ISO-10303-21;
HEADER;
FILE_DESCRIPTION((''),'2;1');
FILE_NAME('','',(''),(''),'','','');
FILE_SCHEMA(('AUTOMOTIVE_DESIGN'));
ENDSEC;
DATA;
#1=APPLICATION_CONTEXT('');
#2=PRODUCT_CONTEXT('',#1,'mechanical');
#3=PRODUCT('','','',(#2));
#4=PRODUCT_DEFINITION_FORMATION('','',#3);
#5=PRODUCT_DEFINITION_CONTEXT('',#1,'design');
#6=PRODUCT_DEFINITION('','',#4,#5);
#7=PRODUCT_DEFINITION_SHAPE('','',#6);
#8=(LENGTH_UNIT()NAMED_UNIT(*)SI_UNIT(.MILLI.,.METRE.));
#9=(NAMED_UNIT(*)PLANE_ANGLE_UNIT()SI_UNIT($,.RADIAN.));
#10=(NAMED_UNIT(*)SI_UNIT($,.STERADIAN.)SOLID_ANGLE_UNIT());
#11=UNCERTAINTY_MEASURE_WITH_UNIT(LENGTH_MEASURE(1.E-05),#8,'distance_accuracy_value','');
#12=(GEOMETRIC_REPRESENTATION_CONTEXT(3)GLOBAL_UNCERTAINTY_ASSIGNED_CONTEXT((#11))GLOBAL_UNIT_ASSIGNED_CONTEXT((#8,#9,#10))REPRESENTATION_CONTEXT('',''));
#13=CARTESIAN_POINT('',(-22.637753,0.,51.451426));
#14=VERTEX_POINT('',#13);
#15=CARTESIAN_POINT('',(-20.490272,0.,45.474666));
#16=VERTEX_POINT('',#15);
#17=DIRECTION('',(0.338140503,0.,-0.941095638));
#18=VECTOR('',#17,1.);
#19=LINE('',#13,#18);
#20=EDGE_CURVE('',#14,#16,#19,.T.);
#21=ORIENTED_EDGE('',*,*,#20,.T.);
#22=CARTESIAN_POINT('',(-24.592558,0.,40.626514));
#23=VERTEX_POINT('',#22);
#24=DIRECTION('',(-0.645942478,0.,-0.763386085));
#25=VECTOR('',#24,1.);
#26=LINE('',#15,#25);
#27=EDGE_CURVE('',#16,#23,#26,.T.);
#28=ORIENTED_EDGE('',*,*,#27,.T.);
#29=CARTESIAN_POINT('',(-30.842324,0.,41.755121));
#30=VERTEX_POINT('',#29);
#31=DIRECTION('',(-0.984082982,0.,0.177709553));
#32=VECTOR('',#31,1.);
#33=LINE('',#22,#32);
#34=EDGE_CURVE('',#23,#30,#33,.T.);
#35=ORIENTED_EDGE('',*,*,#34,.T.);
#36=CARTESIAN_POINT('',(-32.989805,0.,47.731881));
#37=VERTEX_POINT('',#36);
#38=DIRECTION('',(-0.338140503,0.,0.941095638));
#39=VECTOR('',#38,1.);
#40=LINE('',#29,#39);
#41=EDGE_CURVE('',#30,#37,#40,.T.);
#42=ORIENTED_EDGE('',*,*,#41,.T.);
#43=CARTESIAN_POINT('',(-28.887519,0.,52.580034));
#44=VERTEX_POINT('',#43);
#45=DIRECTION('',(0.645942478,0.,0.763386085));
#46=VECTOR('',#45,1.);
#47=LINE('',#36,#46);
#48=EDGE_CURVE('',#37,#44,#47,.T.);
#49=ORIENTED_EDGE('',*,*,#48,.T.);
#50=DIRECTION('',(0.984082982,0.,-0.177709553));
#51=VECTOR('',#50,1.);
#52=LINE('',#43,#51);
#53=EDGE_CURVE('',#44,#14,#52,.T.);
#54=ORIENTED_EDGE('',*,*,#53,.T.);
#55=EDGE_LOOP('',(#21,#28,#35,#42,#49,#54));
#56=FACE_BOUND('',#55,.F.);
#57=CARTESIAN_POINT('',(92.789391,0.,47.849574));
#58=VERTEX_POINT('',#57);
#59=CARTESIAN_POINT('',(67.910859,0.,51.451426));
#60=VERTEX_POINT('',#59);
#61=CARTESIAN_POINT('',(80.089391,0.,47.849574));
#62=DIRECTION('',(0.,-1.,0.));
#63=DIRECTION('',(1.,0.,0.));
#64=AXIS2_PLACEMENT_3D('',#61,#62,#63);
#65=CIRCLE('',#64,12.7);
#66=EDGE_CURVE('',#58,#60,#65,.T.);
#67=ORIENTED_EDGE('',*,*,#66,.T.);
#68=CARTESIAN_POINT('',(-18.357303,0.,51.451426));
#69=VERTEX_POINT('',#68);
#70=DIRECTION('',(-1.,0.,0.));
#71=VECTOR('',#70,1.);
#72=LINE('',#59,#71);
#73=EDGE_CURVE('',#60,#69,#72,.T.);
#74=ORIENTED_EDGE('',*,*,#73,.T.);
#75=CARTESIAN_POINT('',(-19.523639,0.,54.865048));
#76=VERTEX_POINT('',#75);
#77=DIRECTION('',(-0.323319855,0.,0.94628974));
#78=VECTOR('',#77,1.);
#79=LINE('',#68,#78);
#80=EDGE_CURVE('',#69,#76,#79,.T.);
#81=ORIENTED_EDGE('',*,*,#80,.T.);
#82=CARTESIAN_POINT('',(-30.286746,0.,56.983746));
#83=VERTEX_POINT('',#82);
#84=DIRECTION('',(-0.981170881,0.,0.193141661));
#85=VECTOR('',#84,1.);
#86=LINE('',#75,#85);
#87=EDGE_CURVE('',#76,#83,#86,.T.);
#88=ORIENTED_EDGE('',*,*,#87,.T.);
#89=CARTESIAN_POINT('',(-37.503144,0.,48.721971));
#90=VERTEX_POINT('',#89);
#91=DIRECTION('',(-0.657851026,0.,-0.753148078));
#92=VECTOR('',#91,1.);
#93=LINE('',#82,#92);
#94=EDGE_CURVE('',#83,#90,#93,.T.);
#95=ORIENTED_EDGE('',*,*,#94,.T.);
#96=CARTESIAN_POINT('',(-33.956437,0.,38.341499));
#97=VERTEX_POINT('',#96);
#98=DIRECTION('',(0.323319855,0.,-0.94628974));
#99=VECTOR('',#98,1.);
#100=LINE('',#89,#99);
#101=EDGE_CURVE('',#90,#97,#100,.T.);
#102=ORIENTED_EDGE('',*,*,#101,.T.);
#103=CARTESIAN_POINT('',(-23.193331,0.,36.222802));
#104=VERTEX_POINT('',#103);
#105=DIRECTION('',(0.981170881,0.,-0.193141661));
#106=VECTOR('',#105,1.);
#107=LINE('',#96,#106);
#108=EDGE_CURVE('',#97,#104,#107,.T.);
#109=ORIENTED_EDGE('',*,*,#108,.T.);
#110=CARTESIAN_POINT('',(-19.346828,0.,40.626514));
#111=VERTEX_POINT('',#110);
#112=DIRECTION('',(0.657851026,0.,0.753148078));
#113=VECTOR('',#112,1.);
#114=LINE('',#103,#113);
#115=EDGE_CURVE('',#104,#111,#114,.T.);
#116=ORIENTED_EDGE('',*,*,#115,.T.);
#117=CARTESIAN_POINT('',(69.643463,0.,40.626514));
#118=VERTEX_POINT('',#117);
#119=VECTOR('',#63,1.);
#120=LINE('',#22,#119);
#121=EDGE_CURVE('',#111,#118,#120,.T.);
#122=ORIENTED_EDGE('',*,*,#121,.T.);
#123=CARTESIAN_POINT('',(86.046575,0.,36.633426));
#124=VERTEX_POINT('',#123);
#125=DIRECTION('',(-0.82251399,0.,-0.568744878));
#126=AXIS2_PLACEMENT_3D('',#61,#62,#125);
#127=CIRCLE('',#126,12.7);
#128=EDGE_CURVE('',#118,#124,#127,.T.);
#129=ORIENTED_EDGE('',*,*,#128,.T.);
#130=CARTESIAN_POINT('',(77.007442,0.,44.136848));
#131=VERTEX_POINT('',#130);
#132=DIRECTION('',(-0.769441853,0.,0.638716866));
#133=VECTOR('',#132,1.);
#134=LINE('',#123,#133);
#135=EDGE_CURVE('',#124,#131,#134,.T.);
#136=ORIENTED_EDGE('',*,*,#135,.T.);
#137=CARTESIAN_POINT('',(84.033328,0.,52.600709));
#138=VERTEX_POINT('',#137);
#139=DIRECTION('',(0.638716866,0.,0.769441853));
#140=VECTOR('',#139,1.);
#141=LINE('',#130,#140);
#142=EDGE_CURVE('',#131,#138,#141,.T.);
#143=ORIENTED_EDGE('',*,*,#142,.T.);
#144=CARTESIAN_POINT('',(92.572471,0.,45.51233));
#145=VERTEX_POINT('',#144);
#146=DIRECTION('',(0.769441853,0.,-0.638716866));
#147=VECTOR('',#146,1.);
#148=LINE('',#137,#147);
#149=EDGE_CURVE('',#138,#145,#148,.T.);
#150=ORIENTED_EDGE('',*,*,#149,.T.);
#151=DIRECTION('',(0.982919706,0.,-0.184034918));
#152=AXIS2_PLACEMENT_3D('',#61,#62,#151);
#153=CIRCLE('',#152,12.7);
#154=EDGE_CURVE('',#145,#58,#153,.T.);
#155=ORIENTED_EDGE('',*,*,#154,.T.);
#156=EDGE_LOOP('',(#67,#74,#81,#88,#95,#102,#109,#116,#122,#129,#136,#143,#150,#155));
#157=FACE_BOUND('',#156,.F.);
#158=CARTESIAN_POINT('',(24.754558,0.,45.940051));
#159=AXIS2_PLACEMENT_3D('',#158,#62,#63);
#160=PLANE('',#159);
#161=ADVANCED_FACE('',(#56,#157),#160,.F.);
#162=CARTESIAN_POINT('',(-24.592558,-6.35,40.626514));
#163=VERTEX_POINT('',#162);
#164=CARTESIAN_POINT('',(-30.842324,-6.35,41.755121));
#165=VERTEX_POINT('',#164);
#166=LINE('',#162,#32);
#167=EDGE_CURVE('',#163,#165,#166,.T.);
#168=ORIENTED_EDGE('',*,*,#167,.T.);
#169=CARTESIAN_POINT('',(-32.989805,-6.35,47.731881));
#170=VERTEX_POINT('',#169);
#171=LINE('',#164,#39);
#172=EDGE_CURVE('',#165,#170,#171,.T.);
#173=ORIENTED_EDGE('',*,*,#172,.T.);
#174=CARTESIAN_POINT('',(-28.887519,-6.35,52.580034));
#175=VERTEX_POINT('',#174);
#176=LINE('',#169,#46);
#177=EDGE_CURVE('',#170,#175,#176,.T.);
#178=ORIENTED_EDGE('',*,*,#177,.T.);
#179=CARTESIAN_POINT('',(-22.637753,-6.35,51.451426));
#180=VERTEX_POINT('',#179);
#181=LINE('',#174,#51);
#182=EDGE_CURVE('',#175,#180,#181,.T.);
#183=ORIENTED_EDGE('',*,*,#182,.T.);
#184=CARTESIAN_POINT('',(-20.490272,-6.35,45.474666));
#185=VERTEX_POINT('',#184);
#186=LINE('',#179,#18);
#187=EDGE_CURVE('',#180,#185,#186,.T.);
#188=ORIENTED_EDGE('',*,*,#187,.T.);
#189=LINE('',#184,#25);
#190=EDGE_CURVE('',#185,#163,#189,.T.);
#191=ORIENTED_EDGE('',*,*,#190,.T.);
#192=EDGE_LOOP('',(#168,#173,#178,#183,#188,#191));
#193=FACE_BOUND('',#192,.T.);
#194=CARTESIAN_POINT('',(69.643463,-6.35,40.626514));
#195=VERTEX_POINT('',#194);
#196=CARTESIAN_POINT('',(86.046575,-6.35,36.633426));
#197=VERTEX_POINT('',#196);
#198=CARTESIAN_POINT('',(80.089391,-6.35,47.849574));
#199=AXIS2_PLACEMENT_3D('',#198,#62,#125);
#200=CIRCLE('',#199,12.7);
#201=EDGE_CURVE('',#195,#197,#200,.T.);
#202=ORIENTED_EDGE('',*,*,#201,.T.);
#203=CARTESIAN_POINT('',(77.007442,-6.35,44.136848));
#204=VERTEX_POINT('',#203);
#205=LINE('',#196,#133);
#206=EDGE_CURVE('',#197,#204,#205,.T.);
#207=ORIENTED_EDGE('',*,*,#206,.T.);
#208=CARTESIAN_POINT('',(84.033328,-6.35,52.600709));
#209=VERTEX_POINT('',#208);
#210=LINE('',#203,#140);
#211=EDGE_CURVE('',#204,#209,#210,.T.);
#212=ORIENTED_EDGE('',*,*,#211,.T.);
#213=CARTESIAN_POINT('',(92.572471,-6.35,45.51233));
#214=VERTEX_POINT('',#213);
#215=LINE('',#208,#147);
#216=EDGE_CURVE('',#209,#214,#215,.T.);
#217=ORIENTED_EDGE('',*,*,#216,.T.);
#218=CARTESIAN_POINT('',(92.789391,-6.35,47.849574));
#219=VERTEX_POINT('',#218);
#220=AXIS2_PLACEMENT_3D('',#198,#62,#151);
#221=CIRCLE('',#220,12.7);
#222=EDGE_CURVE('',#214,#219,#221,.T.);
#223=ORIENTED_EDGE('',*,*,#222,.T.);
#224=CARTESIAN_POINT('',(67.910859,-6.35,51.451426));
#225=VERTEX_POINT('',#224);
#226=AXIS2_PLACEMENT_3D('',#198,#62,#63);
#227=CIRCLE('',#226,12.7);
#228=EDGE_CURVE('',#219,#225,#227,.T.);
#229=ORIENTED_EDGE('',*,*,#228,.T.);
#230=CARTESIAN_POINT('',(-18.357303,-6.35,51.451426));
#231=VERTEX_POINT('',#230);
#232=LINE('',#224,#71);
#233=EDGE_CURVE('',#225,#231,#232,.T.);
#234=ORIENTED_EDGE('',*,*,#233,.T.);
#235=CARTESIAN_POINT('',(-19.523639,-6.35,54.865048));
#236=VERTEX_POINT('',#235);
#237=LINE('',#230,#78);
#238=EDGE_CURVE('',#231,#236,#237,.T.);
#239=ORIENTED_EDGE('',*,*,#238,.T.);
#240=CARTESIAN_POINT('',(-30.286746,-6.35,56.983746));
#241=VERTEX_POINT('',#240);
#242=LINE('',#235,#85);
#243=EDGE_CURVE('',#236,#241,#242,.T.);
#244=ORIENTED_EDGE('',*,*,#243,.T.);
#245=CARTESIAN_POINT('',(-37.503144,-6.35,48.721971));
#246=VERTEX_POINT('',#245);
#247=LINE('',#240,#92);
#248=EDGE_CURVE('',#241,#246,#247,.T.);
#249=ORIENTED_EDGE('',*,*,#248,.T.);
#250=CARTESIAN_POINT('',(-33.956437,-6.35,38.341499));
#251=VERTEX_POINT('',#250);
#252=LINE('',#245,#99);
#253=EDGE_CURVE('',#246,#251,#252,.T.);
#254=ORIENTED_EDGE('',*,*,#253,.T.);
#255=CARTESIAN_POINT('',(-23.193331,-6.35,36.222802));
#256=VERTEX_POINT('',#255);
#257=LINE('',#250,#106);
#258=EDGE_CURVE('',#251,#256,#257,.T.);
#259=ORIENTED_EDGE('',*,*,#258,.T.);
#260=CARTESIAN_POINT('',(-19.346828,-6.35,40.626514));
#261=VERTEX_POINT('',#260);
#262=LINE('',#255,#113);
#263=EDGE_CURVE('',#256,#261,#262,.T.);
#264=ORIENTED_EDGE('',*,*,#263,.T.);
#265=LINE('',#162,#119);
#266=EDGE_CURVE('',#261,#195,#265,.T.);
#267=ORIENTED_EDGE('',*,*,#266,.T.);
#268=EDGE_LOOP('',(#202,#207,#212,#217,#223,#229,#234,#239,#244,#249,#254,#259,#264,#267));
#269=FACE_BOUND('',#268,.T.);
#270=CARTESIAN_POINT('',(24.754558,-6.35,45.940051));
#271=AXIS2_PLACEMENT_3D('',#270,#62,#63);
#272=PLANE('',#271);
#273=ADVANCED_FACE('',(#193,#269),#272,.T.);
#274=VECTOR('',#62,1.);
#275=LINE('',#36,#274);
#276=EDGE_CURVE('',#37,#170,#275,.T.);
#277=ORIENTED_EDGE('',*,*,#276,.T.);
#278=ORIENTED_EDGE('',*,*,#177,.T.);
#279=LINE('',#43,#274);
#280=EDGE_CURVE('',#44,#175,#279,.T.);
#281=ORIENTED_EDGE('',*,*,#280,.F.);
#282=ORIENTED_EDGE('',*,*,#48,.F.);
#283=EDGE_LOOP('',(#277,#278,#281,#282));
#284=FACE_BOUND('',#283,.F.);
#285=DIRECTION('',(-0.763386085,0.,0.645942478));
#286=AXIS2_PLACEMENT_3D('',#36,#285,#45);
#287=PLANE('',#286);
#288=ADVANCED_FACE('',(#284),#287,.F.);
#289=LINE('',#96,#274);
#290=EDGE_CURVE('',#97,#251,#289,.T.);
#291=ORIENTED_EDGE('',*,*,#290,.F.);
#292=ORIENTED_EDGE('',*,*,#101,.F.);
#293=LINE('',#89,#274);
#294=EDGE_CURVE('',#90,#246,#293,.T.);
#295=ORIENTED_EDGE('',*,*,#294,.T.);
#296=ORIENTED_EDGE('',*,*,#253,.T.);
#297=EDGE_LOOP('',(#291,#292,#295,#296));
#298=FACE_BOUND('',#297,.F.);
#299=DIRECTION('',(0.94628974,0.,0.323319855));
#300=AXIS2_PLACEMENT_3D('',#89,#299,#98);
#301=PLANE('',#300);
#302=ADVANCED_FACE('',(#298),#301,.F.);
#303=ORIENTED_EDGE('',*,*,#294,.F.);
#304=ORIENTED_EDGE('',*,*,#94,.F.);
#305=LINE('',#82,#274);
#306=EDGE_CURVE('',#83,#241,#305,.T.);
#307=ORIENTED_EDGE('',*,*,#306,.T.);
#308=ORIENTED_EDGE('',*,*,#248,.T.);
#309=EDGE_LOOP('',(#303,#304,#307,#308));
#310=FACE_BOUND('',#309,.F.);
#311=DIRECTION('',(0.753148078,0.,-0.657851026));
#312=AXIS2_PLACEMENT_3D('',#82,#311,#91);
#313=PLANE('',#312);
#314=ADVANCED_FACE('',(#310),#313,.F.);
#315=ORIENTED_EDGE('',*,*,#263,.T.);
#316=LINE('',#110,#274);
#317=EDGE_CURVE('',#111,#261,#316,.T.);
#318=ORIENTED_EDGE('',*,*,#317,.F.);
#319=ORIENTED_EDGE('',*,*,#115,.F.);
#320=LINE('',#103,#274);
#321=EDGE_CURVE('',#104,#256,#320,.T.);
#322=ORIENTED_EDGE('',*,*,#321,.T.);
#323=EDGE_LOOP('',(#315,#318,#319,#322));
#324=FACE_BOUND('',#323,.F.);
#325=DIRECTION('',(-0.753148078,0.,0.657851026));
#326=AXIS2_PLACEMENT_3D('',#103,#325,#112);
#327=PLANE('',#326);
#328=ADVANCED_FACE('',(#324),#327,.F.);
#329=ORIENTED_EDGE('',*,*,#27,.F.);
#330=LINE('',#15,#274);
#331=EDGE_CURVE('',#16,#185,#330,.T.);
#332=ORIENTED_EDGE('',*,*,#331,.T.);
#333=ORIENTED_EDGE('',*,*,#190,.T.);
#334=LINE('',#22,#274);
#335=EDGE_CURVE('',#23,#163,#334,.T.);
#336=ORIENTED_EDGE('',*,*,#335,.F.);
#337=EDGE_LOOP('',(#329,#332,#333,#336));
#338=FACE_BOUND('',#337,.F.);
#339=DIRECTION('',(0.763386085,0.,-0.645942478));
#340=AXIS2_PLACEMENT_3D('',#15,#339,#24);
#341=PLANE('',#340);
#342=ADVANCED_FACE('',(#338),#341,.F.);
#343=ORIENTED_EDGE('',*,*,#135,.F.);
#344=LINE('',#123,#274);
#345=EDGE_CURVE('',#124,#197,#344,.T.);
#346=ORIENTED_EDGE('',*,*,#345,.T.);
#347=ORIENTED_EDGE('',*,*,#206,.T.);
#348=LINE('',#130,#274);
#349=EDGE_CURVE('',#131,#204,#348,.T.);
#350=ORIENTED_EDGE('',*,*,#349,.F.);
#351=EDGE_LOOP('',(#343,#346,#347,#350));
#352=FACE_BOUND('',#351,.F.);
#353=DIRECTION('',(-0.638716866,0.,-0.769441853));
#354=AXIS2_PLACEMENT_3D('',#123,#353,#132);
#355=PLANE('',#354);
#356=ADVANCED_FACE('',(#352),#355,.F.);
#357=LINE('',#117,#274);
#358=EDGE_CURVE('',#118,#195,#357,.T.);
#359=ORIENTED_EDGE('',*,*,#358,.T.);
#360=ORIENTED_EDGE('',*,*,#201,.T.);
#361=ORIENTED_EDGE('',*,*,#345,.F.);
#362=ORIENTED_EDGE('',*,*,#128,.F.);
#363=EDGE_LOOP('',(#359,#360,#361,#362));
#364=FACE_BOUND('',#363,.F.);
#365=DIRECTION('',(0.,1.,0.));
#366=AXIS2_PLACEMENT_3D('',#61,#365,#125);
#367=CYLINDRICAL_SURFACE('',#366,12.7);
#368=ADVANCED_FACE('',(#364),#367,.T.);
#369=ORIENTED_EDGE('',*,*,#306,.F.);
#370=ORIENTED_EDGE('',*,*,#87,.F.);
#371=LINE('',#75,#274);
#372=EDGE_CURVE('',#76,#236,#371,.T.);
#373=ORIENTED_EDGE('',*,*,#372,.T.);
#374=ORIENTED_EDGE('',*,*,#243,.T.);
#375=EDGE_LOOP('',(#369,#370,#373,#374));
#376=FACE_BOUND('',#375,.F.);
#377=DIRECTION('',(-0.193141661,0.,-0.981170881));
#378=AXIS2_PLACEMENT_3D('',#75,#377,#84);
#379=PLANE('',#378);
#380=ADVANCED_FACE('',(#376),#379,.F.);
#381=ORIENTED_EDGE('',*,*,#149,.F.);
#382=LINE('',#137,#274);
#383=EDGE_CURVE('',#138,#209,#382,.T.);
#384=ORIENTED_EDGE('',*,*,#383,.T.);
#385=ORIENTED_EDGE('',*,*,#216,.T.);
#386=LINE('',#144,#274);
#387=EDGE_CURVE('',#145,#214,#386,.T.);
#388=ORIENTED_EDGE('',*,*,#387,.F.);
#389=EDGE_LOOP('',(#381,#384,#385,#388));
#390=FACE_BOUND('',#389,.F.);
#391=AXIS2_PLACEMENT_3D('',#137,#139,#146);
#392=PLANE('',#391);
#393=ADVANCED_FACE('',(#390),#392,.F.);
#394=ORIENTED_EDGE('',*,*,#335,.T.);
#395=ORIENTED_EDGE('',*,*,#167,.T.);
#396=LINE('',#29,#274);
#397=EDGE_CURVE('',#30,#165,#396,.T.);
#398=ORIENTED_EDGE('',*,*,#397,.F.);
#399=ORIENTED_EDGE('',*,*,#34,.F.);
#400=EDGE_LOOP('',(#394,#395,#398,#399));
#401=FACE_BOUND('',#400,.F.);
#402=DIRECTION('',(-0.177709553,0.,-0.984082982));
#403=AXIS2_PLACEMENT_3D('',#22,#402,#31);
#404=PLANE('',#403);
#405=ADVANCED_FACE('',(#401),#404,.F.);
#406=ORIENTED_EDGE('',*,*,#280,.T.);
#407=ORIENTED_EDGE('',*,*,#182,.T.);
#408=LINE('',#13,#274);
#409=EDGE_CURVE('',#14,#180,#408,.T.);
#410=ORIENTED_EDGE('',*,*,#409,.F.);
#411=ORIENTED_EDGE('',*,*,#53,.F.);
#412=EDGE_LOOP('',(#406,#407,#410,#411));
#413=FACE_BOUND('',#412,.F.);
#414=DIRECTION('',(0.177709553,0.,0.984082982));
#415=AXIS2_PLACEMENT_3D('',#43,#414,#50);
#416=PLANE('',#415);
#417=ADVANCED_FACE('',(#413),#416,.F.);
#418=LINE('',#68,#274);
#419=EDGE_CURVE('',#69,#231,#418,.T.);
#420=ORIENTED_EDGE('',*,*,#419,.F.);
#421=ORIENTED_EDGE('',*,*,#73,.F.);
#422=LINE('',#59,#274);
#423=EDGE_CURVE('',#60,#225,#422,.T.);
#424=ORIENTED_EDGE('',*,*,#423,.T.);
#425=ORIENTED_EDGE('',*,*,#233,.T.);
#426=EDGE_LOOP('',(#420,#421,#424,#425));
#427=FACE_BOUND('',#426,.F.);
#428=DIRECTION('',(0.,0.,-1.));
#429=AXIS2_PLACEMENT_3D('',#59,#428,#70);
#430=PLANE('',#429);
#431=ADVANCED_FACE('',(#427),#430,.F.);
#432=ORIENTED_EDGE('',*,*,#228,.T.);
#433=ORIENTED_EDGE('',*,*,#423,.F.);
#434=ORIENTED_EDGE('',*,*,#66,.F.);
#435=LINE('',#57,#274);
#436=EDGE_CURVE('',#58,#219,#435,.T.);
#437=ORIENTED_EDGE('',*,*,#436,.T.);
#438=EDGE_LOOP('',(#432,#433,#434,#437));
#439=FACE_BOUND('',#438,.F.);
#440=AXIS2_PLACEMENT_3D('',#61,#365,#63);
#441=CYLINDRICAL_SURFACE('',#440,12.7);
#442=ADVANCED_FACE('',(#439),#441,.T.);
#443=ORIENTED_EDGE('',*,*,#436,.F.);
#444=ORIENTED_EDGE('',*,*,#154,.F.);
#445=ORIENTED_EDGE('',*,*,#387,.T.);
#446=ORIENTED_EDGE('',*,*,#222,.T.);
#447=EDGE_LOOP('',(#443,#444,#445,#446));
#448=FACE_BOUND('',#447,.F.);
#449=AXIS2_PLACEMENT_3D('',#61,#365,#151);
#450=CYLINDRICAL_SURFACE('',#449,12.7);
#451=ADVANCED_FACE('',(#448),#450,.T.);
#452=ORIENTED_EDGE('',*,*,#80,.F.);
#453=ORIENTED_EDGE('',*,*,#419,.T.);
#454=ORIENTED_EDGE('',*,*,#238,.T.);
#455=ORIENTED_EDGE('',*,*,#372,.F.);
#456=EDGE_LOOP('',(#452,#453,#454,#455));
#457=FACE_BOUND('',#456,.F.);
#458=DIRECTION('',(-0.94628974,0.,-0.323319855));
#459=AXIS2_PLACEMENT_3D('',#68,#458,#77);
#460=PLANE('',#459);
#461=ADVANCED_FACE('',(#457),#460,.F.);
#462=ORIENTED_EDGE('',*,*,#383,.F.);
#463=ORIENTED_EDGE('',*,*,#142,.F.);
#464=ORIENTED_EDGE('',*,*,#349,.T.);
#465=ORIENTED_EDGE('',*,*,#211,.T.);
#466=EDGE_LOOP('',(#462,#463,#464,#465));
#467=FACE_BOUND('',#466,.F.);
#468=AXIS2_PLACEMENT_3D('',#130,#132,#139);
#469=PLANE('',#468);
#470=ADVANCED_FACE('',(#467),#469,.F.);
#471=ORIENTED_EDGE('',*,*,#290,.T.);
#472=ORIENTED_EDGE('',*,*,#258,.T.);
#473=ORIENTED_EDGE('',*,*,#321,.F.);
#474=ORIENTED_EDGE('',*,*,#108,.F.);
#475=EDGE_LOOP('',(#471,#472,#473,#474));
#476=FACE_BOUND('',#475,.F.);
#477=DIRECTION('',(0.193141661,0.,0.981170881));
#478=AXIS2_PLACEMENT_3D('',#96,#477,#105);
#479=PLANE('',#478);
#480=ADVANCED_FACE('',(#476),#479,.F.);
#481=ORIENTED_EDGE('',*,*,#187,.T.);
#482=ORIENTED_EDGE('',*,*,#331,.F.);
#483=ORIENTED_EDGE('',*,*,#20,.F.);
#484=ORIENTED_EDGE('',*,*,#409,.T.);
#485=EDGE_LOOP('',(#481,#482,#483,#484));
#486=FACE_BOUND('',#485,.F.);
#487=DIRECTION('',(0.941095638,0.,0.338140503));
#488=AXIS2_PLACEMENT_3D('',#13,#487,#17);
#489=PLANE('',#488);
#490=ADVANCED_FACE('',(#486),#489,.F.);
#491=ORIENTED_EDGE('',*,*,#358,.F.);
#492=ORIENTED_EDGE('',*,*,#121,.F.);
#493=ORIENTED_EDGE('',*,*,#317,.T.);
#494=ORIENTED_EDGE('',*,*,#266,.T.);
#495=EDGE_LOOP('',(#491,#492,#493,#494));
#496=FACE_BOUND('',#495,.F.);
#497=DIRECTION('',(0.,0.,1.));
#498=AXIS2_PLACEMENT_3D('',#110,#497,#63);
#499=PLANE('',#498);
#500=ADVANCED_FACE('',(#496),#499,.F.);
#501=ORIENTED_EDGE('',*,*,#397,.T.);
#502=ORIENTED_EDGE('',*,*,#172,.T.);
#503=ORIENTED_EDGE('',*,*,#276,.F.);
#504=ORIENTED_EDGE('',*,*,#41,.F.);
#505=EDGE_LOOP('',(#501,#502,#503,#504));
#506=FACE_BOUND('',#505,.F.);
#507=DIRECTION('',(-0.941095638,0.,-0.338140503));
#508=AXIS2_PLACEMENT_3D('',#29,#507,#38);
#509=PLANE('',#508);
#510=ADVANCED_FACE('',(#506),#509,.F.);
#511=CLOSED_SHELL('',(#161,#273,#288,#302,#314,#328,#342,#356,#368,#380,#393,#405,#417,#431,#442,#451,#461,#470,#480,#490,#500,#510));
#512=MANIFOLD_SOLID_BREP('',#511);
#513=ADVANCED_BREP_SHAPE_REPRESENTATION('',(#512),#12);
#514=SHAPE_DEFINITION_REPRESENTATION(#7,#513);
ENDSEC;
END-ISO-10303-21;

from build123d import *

# Parameters (mm, degrees)
F1_DEPTH = 6.35


with BuildPart() as f1:
    # F0 (on Front) → F1 (new body)
    with BuildSketch(Plane.XZ):
        with BuildLine():
            Line((-19.3468277683, 40.6265136781), (69.6434634393, 40.6265136781))
            ThreePointArc((69.6434634393, 40.6265136781), (67.5490069557, 45.8423952186), (67.910858524, 51.4514264761))
            Line((67.910858524, 51.4514264761), (-18.3573034658, 51.4514264761))
            Line((-18.3573034658, 51.4514264761), (-15.9769321031, 44.4845762834))
            Line((-15.9769321031, 44.4845762834), (-19.3468277683, 40.6265136781))
        make_face()
        with BuildLine():
            ThreePointArc((67.910858524, 51.4514264761), (67.5490069557, 45.8423952186), (69.6434634393, 40.6265136781))
            Line((69.6434634393, 40.6265136781), (77.0074423358, 40.6265136781))
            Line((77.0074423358, 40.6265136781), (77.0074423358, 44.1368481523))
            Line((77.0074423358, 44.1368481523), (77.0074423358, 51.4514264761))
            Line((77.0074423358, 51.4514264761), (67.910858524, 51.4514264761))
        make_face()
        with BuildLine():
            Line((84.0333278613, 52.6007085352), (92.5724713831, 45.5123301647))
            ThreePointArc((92.5724713831, 45.5123301647), (92.7350449014, 46.6759296035), (92.7893911141, 47.8495736261))
            ThreePointArc((92.7893911141, 47.8495736261), (81.9090938517, 60.4185307009), (67.910858524, 51.4514264761))
            Line((67.910858524, 51.4514264761), (77.0074423358, 51.4514264761))
            Line((77.0074423358, 51.4514264761), (77.0074423358, 44.1368481523))
            Line((77.0074423358, 44.1368481523), (84.0333278613, 52.6007085352))
        make_face()
        with BuildLine():
            ThreePointArc((69.6434634393, 40.6265136781), (77.0854951634, 35.5099379298), (86.0465752901, 36.6334264849))
            Line((86.0465752901, 36.6334264849), (77.0074423358, 44.1368481523))
            Line((77.0074423358, 44.1368481523), (77.0074423358, 40.6265136781))
            Line((77.0074423358, 40.6265136781), (69.6434634393, 40.6265136781))
        make_face()
        Polygon((-24.5925576642, 40.6265136781), (-19.3468277683, 40.6265136781), (-15.9769321031, 44.4845762834), (-18.3573034658, 51.4514264761), (-22.6377525802, 51.4514264761), (-20.4902719633, 45.4746664564), align=None)
        Polygon((-23.193330976, 36.2228016168), (-19.3468277683, 40.6265136781), (-24.5925576642, 40.6265136781), (-30.8423239821, 41.7551209196), (-32.989804599, 47.7318809393), (-28.8875188981, 52.5800337175), (-22.6377525802, 51.4514264761), (-18.3573034658, 51.4514264761), (-19.5236394083, 54.8650483644), (-30.2867455863, 56.9837457788), (-37.5031444592, 48.7219711123), (-33.956437154, 38.3414990313), align=None)
    extrude(amount=F1_DEPTH)


solid = f1.part
